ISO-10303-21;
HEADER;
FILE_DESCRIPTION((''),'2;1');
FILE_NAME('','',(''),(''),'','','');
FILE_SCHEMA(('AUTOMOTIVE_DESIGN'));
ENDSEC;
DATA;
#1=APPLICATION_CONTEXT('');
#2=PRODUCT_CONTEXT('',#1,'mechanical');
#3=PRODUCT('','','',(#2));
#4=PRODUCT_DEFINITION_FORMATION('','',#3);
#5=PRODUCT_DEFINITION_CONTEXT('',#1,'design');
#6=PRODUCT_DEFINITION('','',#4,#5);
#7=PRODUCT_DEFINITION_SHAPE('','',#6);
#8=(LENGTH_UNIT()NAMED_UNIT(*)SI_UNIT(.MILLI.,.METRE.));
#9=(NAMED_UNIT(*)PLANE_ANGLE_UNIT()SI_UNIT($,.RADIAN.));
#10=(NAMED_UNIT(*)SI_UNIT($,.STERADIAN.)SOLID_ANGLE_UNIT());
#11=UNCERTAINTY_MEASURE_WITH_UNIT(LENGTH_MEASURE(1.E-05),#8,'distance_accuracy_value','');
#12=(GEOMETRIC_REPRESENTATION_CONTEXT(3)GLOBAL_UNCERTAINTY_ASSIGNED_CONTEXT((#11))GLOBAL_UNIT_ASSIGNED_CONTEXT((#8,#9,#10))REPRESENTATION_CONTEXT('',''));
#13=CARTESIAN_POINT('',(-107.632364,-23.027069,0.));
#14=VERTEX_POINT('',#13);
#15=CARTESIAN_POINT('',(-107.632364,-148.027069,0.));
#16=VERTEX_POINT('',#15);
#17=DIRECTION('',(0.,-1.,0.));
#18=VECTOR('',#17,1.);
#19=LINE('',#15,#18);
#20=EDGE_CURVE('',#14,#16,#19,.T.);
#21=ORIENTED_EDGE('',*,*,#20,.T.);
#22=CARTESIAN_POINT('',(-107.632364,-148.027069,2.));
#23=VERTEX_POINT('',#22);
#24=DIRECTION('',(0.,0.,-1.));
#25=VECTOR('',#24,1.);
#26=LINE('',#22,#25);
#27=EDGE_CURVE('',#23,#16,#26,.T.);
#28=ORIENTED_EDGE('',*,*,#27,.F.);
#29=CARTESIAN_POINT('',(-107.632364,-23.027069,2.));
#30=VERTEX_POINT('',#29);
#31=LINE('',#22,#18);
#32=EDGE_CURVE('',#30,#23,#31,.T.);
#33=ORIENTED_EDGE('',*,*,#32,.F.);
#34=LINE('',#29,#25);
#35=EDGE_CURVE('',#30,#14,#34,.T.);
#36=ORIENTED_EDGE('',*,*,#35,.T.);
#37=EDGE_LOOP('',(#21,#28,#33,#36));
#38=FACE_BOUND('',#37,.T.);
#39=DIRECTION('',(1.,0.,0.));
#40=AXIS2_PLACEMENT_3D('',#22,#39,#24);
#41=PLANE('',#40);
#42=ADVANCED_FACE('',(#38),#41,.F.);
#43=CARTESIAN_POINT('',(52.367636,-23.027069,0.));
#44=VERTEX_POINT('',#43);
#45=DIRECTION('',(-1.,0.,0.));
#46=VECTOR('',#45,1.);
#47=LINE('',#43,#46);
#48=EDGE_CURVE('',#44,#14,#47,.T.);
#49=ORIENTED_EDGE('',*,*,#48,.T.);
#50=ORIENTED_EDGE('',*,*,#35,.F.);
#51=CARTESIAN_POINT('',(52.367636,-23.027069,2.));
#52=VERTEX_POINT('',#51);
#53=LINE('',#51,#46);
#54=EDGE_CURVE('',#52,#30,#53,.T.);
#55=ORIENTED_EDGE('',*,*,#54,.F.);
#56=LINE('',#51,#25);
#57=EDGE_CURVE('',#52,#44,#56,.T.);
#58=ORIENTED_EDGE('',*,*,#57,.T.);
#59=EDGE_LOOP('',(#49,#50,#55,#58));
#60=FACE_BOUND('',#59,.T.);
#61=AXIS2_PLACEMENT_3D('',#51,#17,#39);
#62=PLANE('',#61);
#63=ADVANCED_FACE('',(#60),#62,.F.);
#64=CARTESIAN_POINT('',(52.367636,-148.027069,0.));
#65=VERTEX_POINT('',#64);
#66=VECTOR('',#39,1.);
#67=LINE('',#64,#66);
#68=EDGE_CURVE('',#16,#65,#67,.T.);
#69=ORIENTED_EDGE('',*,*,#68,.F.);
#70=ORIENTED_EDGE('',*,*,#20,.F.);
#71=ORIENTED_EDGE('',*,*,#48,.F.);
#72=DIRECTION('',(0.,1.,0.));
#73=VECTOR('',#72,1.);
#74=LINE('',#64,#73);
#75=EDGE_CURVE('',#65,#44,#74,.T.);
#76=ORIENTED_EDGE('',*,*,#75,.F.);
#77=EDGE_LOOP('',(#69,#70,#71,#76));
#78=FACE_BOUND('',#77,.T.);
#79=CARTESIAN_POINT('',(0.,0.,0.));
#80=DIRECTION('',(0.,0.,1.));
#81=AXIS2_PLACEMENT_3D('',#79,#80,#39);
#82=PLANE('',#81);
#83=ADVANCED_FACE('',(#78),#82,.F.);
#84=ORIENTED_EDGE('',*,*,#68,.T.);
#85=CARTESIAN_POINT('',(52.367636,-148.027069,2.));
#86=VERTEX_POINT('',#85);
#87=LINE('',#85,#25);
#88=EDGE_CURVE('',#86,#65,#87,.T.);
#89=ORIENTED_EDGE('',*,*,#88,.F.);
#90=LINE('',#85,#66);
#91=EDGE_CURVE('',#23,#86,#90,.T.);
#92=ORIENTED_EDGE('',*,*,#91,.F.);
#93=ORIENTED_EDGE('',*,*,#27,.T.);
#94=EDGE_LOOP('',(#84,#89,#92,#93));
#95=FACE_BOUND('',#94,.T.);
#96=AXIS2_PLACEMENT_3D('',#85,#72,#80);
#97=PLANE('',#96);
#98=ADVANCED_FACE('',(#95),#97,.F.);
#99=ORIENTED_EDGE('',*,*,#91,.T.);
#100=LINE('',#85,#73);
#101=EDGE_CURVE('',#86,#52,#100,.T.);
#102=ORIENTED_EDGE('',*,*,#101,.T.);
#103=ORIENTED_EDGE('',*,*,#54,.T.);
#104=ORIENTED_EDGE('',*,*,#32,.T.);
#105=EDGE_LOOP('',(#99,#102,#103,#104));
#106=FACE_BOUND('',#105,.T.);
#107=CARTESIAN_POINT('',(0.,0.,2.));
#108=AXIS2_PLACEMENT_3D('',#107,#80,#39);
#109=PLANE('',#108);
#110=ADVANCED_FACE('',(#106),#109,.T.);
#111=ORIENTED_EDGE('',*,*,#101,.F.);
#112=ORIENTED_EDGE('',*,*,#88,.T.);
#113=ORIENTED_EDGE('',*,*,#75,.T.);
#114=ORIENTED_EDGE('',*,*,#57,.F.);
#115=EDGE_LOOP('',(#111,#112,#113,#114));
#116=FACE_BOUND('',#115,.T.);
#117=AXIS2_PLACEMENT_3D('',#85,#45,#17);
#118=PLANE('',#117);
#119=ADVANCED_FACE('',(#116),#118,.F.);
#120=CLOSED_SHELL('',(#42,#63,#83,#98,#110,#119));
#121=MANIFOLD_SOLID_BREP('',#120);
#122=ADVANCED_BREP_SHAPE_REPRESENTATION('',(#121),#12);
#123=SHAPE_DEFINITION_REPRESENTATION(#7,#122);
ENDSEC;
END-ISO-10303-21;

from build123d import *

# Parameters (mm, degrees)
ESBO_O1_W                = 160
ESBO_O1_H                = 125
RESSALTO_EXTRUS_O1_DEPTH = 2


with BuildPart() as part:
    # Esboço1 → Ressalto-extrusão1 (new body)
    with BuildSketch(Plane.XY):
        with Locations((-27.632364328, -85.527068541)):
            Rectangle(ESBO_O1_W, ESBO_O1_H)
    extrude(amount=RESSALTO_EXTRUS_O1_DEPTH)


solid = part.part
